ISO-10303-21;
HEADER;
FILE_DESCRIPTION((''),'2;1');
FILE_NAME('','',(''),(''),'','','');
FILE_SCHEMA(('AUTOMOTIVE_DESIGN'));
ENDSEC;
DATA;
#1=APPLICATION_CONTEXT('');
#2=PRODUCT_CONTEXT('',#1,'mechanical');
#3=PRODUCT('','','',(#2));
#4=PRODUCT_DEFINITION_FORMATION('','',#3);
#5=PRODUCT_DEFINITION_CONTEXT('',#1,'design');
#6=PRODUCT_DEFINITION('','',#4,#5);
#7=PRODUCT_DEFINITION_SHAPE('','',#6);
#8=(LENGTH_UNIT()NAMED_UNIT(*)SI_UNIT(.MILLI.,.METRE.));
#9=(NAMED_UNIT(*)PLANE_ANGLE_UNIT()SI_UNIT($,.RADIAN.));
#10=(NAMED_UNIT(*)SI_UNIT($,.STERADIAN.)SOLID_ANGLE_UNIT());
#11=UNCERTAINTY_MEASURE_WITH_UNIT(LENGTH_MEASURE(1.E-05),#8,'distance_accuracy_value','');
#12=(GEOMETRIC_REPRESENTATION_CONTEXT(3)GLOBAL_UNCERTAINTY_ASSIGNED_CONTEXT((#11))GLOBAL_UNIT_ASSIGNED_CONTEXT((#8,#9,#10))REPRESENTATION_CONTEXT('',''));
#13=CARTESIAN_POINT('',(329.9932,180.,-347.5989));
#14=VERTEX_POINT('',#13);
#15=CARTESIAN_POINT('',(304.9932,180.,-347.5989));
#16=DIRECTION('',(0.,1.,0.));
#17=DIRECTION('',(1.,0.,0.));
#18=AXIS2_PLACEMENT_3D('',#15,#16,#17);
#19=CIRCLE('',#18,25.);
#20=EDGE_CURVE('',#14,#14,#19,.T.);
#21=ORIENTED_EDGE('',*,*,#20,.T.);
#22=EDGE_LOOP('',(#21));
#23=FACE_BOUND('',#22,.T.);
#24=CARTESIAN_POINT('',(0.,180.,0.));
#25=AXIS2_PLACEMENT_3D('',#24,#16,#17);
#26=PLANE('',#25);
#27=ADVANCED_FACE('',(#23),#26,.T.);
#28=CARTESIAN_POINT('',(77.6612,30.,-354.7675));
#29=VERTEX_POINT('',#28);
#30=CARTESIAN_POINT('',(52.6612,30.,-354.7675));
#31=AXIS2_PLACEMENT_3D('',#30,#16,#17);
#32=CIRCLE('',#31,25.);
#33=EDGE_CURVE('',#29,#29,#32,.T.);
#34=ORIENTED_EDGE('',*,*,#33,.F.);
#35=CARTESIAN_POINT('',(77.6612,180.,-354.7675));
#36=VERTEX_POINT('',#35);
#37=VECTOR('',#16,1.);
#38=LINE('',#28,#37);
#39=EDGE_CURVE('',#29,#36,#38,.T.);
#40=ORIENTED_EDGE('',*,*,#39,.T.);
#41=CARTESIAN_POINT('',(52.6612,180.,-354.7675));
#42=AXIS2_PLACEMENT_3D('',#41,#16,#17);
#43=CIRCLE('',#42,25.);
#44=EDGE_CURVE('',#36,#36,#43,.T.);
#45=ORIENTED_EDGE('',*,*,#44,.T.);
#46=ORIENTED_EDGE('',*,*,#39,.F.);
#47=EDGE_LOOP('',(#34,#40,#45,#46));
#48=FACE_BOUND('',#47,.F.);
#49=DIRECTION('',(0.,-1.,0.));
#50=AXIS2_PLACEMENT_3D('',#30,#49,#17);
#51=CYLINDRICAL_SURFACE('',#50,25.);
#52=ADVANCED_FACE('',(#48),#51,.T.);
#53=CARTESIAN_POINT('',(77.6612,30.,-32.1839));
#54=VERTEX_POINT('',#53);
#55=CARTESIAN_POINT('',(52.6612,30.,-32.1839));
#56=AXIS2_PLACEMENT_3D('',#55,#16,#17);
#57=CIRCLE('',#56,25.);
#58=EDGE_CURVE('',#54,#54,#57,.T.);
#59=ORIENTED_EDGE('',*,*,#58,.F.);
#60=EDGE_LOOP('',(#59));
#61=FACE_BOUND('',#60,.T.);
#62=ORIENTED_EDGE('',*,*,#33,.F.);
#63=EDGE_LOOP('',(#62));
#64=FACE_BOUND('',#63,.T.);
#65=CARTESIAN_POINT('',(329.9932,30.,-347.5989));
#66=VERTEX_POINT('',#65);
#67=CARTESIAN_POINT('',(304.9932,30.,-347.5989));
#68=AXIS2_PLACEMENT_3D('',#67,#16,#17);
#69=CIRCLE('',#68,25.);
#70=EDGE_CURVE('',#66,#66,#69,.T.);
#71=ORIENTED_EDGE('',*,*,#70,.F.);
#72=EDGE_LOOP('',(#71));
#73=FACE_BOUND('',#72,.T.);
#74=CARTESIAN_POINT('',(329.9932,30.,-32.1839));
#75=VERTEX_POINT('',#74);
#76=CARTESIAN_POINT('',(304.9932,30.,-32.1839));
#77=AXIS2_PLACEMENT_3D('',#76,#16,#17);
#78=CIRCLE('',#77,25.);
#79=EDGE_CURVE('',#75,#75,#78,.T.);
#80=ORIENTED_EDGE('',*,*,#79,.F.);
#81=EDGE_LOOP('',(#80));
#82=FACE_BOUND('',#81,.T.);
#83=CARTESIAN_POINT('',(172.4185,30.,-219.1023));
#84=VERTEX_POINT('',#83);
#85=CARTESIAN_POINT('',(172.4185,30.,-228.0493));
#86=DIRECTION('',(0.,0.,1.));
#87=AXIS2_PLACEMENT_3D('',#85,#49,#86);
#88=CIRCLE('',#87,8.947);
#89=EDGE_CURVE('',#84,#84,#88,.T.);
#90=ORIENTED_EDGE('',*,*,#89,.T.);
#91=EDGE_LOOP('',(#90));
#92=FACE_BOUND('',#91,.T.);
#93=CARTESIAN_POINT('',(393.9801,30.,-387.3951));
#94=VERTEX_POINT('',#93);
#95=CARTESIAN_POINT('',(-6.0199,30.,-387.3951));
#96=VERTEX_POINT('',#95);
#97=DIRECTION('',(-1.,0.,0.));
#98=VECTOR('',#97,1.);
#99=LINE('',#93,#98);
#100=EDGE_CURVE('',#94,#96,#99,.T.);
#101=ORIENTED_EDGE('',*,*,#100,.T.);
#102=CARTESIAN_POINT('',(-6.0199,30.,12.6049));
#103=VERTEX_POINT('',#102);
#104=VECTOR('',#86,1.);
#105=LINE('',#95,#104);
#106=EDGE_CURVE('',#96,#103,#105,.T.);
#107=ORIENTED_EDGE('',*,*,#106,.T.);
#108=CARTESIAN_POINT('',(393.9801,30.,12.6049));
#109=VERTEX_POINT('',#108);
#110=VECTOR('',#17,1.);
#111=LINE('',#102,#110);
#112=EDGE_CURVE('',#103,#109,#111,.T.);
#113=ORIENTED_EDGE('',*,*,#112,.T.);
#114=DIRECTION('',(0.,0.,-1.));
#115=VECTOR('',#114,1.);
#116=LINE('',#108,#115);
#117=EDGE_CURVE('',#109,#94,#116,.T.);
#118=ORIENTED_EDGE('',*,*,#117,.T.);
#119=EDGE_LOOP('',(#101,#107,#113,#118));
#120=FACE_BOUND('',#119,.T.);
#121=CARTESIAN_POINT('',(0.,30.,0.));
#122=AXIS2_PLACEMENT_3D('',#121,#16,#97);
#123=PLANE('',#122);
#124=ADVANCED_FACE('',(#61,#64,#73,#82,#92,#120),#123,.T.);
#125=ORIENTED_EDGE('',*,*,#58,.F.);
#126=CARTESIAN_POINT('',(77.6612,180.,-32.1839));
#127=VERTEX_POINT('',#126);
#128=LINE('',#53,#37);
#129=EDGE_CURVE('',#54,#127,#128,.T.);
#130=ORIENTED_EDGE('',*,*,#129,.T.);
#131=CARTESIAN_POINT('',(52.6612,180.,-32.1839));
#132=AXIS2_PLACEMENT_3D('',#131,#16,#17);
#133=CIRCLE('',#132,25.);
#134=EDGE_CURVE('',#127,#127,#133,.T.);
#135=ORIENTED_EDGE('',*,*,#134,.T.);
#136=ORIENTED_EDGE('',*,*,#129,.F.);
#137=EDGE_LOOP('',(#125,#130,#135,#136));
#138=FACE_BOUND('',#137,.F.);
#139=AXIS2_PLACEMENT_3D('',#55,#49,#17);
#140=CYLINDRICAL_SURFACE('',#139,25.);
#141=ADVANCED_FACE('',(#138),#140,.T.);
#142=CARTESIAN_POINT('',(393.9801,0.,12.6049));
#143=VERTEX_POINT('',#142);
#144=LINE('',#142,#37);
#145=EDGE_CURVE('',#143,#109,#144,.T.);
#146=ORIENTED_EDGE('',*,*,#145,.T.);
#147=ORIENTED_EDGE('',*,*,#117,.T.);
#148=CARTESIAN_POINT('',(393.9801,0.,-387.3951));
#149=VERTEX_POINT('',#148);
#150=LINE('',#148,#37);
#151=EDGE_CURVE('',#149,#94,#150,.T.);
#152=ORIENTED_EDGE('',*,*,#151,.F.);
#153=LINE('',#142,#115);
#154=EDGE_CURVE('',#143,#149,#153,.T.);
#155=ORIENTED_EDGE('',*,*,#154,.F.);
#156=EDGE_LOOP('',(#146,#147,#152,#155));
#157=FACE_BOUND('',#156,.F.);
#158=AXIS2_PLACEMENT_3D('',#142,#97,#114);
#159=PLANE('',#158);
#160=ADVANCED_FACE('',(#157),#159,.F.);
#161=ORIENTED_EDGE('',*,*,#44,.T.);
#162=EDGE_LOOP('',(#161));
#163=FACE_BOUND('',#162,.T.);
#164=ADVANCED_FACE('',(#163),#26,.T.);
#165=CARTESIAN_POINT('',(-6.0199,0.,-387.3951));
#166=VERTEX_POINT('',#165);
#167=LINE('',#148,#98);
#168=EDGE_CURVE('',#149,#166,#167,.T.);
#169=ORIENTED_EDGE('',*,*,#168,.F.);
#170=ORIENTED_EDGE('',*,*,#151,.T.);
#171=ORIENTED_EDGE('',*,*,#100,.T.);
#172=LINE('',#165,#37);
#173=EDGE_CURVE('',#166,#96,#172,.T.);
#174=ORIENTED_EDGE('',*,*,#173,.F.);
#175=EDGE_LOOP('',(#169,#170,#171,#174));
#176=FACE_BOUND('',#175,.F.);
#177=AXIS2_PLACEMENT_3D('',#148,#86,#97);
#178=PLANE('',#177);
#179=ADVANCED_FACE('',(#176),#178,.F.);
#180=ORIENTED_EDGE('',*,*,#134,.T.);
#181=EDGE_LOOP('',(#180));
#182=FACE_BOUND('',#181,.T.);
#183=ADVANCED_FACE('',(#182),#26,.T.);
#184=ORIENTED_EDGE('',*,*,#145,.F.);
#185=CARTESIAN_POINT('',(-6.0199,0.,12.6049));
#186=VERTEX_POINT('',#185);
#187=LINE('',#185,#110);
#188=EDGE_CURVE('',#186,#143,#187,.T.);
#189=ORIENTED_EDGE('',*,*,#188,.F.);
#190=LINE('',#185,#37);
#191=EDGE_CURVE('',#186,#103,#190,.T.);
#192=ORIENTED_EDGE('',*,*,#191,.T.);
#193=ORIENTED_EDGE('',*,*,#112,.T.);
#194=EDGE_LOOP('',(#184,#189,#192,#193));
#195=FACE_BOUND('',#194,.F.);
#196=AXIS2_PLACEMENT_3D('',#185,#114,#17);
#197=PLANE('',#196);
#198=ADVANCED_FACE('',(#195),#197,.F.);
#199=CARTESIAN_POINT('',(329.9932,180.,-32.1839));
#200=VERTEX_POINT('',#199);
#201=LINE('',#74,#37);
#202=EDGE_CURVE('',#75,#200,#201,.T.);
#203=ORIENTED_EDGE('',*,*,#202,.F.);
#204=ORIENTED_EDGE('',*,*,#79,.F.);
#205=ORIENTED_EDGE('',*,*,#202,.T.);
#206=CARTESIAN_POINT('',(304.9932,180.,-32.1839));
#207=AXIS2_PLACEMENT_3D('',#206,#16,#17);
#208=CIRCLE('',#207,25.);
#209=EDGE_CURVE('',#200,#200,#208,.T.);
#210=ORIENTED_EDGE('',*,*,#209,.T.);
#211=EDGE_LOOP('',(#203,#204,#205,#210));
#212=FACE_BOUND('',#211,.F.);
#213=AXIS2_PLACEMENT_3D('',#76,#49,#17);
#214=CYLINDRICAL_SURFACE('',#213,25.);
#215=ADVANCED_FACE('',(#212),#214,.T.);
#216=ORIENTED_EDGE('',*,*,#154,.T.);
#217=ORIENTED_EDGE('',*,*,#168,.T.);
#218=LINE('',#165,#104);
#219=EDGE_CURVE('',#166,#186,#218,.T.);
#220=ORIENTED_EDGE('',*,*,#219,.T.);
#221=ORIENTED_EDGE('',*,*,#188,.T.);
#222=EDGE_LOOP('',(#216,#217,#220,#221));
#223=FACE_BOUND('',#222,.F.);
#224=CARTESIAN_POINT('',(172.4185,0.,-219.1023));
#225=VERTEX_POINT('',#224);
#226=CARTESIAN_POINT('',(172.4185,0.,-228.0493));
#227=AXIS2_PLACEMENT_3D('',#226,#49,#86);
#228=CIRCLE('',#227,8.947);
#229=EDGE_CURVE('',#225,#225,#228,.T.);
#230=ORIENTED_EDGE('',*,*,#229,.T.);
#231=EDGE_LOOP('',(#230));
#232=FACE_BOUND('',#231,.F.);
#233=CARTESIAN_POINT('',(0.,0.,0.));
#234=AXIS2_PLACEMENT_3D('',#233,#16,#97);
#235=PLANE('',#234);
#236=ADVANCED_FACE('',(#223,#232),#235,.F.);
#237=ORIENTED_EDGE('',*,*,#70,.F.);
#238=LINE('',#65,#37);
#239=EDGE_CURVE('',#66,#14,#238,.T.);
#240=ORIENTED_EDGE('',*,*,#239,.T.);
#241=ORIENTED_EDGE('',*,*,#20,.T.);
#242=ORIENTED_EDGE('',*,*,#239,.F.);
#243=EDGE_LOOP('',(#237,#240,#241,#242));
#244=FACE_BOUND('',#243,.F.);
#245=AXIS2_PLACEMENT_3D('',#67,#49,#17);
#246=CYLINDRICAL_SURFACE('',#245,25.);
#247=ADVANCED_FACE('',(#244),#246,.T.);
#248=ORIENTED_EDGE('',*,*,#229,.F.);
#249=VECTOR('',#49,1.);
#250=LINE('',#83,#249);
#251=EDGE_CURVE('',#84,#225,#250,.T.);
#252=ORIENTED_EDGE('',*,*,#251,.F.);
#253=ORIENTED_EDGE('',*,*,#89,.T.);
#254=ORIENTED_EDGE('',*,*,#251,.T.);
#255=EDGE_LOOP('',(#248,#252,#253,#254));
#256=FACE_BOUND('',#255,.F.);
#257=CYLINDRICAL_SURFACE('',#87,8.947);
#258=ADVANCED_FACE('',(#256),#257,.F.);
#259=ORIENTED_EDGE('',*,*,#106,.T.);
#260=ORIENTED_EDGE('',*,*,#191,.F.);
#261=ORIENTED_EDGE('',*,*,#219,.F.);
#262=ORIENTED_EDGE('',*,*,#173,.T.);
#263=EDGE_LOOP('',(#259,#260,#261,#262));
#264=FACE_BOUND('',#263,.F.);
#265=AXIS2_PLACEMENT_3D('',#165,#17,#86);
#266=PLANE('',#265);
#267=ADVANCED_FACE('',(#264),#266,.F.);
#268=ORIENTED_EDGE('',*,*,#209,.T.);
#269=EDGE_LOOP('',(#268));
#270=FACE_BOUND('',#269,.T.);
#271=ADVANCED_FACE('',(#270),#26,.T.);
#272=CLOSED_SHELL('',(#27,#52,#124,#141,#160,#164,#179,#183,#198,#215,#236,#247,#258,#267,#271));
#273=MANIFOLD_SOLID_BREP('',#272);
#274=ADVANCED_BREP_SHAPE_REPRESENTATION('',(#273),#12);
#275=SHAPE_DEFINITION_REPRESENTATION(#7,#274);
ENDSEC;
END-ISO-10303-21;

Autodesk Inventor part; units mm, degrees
ref_plane "YZ Plane" through (0, 0, 0) normal (1, 0, 0) x (0, 1, 0)
ref_plane "XZ Plane" through (0, 0, 0) normal (0, 1, 0) x (-1, 0, 0)
ref_plane "XY Plane" through (0, 0, 0) normal (0, 0, 1) x (1, 0, 0)
sketch "Sketch1" plane through (0, 0, 0) normal (0, 1, 0) x (-1, 0, 0)
  line L0 (6.0199, 12.6049) -> (-393.9801, 12.6049)
  line L1 (-393.9801, 12.6049) -> (-393.9801, -387.3951)
  line L2 (-393.9801, -387.3951) -> (6.0199, -387.3951)
  line L3 (6.0199, -387.3951) -> (6.0199, 12.6049)
  point P0 (0, 0)
  dimension "d0" = 400
  dimension "d1" = 400
  dimension "d2" = 400
extrude "Extrusion1" add sketch "Sketch1" along normal blind 30
sketch "Sketch2" plane through (0, 30, 0) normal (0, 1, 0) x (1, 0, 0)
  circle A0 centre (52.6612, 32.1839) radius 25
  circle A1 centre (304.9932, 32.1839) radius 25
  circle A2 centre (304.9932, 347.5989) radius 25
  circle A3 centre (52.6612, 354.7675) radius 25
  point P0 (0, 0)
  dimension "d5" = 50
  dimension "d6" = 50
  dimension "d7" = 50
  dimension "d8" = 50
extrude "Extrusion2" add sketch "Sketch2" along normal blind 150
sketch "Sketch3" plane through (0, 0, 0) normal (0, -1, 0) x (1, 0, 0)
  point P0 (0, 0)
sketch "Sketch4" plane through (0, 30, 0) normal (0, 1, 0) x (1, 0, 0)
  point P0 (0, 0)
  point P1 (172.4185, 228.0493)
hole "Hole1" at (172.4185, 30, -228.0493) direction (0, -1, 0) diameter 17.894 depth 53.975 tip angle 118 thread size "13/16-10 UNC" class "2B" standard "ANSI Unified Screw Threads"
properties part number "base1"
